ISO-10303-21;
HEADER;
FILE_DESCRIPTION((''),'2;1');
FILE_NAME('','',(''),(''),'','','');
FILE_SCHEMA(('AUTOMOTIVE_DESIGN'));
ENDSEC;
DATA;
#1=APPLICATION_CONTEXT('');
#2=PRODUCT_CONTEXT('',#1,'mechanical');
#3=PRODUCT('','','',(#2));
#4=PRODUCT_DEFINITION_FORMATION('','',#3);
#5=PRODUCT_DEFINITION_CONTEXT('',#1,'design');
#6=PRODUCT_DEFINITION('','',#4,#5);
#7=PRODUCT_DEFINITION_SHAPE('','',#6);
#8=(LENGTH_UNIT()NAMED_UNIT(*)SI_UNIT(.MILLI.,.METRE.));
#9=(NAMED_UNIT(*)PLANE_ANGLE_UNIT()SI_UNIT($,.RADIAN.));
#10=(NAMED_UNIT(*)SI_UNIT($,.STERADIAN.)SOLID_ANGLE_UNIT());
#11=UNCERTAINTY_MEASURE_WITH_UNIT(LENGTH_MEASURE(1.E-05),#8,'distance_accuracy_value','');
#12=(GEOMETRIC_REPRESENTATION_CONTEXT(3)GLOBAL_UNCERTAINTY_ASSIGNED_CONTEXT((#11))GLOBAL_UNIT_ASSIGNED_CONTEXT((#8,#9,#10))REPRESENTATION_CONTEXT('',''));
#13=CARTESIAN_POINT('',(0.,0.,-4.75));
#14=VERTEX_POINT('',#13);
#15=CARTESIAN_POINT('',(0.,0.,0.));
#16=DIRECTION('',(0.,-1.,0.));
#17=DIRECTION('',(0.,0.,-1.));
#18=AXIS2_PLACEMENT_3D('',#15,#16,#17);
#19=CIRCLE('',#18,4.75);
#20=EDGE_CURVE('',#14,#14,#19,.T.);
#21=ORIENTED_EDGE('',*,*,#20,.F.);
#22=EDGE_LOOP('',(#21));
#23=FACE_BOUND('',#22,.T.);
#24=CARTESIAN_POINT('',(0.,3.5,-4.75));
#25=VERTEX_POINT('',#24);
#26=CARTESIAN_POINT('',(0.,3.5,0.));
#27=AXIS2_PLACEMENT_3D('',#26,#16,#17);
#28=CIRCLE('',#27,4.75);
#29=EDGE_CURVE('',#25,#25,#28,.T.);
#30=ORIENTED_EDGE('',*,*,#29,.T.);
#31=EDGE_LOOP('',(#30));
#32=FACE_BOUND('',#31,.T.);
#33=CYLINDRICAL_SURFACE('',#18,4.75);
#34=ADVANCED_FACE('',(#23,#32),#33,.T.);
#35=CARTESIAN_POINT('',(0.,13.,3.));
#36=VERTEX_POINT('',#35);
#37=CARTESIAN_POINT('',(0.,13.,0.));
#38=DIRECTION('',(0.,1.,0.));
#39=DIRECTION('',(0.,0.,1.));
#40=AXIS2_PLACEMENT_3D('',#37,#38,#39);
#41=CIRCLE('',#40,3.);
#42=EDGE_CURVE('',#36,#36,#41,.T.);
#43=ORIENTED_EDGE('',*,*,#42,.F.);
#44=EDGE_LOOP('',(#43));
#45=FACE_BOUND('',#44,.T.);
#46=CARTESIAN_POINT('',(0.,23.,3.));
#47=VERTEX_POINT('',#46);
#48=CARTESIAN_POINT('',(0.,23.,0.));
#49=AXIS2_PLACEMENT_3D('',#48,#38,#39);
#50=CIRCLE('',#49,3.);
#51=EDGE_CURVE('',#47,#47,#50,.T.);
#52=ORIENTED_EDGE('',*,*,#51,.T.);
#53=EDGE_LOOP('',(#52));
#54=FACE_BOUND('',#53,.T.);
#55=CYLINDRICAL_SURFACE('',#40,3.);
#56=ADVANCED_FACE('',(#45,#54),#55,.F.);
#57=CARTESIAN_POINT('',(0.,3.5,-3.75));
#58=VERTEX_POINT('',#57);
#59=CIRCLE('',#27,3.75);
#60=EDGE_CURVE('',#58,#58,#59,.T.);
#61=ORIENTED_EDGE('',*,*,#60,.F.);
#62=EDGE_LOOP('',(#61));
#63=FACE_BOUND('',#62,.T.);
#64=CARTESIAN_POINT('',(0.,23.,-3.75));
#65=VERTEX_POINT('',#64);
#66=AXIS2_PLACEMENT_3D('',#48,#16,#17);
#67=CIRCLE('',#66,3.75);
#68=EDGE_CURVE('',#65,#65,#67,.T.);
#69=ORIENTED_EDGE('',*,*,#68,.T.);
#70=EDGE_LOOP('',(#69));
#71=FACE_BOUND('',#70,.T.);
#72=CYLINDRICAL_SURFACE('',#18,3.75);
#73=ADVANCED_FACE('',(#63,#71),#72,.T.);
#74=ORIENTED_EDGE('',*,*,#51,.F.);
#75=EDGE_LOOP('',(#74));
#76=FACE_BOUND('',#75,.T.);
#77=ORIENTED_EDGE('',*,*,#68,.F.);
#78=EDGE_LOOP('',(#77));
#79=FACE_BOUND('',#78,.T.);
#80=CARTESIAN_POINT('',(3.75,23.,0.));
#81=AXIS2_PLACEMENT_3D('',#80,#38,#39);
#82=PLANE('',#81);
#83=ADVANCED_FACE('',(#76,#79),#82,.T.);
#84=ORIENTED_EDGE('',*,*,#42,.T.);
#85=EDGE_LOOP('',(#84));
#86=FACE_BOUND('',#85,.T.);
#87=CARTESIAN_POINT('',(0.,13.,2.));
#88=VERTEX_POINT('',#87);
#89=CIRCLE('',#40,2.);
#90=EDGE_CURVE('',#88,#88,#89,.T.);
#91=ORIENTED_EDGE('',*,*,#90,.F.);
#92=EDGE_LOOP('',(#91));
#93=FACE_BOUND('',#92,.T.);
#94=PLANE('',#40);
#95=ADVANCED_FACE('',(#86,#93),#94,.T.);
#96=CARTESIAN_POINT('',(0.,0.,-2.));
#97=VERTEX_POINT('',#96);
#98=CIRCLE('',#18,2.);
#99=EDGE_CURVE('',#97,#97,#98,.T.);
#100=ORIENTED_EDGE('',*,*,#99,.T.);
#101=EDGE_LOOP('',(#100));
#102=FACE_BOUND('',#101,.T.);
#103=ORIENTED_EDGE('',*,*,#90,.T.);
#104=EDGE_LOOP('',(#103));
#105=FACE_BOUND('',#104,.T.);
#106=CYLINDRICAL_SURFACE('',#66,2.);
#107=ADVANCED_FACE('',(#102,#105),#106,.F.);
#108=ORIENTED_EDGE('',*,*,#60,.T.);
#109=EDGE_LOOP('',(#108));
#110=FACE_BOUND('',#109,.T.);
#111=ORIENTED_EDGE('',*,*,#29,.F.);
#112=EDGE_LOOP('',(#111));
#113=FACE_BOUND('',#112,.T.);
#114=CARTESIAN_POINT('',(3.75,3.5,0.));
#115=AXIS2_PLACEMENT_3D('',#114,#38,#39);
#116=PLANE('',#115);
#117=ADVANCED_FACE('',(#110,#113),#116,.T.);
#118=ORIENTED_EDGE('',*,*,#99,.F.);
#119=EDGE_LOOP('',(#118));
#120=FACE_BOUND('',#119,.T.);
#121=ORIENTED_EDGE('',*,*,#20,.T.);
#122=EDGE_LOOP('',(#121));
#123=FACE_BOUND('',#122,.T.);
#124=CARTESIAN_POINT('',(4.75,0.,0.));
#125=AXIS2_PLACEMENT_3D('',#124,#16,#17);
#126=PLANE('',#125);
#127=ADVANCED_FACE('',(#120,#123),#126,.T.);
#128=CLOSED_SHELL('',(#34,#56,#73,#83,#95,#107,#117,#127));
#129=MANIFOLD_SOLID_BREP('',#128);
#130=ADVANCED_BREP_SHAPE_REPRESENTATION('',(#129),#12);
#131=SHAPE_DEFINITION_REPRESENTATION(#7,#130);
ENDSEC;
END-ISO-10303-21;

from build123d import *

# Parameters (mm, degrees)
SKETCH_2_R          = 3
CUT_EXTRUDE_1_DEPTH = 10
SKETCH_3_R          = 2
CUT_EXTRUDE_2_DEPTH = 24


with BuildPart() as part:
    # Эскиз1 → Повернуть1 (revolve)
    with BuildSketch(Plane.XY):
        Polygon((3.75, 23), (3.75, 3.5), (4.75, 3.5), (4.75, 0), (0, 0), (0, 23), align=None)
    revolve(axis=Axis((0, 0, 0), (0, 1, 0)))

    # Эскиз2 → Вырез-Вытянуть1 (cut)
    with BuildSketch(Plane(origin=(0, 23, 0), x_dir=(1, 0, 0), z_dir=(0, 1, 0))):
        Circle(SKETCH_2_R)
    extrude(amount=-CUT_EXTRUDE_1_DEPTH, mode=Mode.SUBTRACT)

    # Эскиз3 → Вырез-Вытянуть2 (cut, through all)
    with BuildSketch(Plane.XZ):
        Circle(SKETCH_3_R)
    extrude(amount=-CUT_EXTRUDE_2_DEPTH, mode=Mode.SUBTRACT)


solid = part.part
